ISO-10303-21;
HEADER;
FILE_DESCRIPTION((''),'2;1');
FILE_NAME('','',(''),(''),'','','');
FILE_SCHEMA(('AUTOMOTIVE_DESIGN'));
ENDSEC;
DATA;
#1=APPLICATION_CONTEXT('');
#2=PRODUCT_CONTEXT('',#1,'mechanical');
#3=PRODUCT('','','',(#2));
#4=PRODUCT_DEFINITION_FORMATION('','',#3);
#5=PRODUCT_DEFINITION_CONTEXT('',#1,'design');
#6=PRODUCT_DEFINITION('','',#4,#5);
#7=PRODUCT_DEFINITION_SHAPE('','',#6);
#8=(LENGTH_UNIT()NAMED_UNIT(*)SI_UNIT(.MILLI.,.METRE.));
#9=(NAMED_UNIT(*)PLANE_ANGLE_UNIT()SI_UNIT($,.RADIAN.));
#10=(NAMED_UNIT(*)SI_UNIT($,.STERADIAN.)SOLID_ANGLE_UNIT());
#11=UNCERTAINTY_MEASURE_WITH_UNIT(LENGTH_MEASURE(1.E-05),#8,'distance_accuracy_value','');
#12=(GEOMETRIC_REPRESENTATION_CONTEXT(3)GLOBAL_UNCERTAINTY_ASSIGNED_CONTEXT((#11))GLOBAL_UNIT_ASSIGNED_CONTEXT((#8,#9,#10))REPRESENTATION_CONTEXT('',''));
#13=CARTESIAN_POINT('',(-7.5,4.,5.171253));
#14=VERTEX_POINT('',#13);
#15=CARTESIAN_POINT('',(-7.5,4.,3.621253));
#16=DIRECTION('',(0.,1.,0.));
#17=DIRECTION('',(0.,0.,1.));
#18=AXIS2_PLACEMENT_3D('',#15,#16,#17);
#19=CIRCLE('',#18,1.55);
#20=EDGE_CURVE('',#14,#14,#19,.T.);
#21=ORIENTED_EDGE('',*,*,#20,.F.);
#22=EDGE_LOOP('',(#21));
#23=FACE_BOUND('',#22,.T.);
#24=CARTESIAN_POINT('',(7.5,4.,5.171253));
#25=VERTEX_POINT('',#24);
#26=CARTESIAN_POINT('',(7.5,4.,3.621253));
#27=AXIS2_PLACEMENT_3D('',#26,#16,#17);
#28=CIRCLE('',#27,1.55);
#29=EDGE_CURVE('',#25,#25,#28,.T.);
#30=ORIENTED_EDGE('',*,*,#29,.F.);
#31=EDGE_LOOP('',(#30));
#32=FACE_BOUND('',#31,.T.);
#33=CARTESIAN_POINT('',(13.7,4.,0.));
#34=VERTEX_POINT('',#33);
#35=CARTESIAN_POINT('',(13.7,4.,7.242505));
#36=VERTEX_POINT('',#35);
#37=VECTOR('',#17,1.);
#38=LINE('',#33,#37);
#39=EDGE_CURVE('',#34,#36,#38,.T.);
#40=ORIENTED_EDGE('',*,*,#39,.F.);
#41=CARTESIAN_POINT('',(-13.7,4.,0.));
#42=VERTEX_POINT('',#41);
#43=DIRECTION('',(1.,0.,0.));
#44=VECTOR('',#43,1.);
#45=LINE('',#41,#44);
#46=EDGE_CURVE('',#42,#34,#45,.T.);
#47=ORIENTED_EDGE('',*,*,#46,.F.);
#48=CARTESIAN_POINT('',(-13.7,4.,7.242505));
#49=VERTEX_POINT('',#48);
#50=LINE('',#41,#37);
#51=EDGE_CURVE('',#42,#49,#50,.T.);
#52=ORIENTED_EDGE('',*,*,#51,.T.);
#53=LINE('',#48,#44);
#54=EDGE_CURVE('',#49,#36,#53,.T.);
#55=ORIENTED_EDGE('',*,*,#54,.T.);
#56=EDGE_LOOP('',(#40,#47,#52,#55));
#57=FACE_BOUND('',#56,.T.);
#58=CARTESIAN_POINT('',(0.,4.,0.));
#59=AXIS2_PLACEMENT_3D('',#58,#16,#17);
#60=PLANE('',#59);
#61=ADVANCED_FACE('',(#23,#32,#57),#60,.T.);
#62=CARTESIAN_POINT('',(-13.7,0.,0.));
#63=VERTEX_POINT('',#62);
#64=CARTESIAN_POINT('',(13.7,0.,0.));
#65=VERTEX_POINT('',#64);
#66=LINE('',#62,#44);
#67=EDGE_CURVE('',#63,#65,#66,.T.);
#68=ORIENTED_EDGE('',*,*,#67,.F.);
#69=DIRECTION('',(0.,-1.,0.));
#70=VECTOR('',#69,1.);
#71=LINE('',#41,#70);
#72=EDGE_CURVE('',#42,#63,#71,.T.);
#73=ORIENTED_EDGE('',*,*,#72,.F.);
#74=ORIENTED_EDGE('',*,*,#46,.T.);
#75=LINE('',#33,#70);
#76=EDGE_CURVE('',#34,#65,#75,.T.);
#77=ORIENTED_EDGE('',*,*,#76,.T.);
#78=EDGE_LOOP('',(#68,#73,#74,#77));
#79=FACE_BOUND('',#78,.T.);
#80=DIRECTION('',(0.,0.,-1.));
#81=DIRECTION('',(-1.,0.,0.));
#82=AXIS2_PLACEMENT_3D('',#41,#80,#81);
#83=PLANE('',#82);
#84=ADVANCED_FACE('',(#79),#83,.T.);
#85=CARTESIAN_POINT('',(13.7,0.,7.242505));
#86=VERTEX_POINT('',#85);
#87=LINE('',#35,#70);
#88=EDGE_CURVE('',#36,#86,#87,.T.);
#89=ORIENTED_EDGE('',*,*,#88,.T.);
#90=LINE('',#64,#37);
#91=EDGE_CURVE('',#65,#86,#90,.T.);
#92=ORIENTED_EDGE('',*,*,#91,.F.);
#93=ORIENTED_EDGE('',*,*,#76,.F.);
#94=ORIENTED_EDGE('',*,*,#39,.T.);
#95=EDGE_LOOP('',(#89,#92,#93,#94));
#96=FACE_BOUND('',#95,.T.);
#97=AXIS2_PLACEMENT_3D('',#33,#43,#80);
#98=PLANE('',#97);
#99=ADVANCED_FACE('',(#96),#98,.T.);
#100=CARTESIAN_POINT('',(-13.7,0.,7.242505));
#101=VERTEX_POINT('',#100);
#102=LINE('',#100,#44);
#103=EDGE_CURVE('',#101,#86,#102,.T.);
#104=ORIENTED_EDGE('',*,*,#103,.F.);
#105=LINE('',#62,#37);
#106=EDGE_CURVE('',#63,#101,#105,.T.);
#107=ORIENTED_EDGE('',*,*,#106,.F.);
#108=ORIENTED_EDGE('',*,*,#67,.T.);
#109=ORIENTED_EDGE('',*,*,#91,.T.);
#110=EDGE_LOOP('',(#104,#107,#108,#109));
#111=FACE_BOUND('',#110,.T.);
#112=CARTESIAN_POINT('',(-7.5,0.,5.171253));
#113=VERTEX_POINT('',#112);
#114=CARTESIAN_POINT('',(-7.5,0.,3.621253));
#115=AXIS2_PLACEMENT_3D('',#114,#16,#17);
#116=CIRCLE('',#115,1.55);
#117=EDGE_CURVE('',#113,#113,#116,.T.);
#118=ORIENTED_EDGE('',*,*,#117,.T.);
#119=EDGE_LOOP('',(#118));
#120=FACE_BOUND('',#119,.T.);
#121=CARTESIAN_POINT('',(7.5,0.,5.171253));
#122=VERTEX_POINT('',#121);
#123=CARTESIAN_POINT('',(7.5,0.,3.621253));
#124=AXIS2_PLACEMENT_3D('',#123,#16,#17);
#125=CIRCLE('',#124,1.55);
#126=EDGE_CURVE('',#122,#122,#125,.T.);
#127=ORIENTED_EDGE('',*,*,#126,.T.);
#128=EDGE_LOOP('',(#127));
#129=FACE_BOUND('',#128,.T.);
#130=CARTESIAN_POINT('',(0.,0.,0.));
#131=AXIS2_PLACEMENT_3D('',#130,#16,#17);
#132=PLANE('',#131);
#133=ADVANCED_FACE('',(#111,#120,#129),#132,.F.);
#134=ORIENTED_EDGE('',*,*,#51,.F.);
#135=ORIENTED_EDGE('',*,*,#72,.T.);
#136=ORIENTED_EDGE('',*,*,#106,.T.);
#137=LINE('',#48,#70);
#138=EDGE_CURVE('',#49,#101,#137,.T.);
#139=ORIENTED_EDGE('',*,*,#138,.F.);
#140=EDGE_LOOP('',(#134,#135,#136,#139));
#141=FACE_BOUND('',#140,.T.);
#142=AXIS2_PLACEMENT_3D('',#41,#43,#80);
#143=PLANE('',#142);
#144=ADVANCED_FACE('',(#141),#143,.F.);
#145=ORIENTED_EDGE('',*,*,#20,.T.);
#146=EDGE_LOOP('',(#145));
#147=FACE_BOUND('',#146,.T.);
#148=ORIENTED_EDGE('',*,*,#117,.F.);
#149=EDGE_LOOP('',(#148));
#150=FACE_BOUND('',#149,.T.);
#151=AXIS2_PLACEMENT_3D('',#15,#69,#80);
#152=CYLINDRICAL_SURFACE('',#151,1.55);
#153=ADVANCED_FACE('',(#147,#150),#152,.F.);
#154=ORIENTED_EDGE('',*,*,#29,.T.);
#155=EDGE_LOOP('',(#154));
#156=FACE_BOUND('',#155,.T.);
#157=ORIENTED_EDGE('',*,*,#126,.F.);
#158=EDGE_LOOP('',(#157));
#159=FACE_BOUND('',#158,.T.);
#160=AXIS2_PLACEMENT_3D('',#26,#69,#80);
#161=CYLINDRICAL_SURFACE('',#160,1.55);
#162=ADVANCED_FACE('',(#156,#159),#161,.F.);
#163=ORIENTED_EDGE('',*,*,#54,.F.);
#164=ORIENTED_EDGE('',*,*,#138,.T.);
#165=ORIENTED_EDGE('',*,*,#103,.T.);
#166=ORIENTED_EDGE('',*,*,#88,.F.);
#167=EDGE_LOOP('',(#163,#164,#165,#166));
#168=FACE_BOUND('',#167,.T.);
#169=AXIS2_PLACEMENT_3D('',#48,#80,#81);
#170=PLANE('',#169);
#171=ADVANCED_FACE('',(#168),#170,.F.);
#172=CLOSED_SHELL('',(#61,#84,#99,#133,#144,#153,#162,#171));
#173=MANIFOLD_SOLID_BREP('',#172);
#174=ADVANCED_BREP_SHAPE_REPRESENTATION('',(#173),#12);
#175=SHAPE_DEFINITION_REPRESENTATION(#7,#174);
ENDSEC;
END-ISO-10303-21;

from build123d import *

# Parameters (mm, degrees)
SKETCH1_W           = 27.4
SKETCH1_H           = 7.242505129
SKETCH1_R           = 1.55
BOSS_EXTRUDE1_DEPTH = 4


with BuildPart() as part:
    # Sketch1 → Boss-Extrude1 (new body)
    with BuildSketch(Plane(origin=(0, 0, 0), x_dir=(1, 0, 0), z_dir=(0, 1, 0))):
        with Locations((0, -3.621252565)):
            Rectangle(SKETCH1_W, SKETCH1_H)
        with Locations(Location((7.5, -3.621252564, 0), (0, 0, 270))):
            Circle(SKETCH1_R, mode=Mode.SUBTRACT)
        with Locations(Location((-7.5, -3.621252564, 0), (0, 0, 270))):
            Circle(SKETCH1_R, mode=Mode.SUBTRACT)
    extrude(amount=BOSS_EXTRUDE1_DEPTH)


solid = part.part
